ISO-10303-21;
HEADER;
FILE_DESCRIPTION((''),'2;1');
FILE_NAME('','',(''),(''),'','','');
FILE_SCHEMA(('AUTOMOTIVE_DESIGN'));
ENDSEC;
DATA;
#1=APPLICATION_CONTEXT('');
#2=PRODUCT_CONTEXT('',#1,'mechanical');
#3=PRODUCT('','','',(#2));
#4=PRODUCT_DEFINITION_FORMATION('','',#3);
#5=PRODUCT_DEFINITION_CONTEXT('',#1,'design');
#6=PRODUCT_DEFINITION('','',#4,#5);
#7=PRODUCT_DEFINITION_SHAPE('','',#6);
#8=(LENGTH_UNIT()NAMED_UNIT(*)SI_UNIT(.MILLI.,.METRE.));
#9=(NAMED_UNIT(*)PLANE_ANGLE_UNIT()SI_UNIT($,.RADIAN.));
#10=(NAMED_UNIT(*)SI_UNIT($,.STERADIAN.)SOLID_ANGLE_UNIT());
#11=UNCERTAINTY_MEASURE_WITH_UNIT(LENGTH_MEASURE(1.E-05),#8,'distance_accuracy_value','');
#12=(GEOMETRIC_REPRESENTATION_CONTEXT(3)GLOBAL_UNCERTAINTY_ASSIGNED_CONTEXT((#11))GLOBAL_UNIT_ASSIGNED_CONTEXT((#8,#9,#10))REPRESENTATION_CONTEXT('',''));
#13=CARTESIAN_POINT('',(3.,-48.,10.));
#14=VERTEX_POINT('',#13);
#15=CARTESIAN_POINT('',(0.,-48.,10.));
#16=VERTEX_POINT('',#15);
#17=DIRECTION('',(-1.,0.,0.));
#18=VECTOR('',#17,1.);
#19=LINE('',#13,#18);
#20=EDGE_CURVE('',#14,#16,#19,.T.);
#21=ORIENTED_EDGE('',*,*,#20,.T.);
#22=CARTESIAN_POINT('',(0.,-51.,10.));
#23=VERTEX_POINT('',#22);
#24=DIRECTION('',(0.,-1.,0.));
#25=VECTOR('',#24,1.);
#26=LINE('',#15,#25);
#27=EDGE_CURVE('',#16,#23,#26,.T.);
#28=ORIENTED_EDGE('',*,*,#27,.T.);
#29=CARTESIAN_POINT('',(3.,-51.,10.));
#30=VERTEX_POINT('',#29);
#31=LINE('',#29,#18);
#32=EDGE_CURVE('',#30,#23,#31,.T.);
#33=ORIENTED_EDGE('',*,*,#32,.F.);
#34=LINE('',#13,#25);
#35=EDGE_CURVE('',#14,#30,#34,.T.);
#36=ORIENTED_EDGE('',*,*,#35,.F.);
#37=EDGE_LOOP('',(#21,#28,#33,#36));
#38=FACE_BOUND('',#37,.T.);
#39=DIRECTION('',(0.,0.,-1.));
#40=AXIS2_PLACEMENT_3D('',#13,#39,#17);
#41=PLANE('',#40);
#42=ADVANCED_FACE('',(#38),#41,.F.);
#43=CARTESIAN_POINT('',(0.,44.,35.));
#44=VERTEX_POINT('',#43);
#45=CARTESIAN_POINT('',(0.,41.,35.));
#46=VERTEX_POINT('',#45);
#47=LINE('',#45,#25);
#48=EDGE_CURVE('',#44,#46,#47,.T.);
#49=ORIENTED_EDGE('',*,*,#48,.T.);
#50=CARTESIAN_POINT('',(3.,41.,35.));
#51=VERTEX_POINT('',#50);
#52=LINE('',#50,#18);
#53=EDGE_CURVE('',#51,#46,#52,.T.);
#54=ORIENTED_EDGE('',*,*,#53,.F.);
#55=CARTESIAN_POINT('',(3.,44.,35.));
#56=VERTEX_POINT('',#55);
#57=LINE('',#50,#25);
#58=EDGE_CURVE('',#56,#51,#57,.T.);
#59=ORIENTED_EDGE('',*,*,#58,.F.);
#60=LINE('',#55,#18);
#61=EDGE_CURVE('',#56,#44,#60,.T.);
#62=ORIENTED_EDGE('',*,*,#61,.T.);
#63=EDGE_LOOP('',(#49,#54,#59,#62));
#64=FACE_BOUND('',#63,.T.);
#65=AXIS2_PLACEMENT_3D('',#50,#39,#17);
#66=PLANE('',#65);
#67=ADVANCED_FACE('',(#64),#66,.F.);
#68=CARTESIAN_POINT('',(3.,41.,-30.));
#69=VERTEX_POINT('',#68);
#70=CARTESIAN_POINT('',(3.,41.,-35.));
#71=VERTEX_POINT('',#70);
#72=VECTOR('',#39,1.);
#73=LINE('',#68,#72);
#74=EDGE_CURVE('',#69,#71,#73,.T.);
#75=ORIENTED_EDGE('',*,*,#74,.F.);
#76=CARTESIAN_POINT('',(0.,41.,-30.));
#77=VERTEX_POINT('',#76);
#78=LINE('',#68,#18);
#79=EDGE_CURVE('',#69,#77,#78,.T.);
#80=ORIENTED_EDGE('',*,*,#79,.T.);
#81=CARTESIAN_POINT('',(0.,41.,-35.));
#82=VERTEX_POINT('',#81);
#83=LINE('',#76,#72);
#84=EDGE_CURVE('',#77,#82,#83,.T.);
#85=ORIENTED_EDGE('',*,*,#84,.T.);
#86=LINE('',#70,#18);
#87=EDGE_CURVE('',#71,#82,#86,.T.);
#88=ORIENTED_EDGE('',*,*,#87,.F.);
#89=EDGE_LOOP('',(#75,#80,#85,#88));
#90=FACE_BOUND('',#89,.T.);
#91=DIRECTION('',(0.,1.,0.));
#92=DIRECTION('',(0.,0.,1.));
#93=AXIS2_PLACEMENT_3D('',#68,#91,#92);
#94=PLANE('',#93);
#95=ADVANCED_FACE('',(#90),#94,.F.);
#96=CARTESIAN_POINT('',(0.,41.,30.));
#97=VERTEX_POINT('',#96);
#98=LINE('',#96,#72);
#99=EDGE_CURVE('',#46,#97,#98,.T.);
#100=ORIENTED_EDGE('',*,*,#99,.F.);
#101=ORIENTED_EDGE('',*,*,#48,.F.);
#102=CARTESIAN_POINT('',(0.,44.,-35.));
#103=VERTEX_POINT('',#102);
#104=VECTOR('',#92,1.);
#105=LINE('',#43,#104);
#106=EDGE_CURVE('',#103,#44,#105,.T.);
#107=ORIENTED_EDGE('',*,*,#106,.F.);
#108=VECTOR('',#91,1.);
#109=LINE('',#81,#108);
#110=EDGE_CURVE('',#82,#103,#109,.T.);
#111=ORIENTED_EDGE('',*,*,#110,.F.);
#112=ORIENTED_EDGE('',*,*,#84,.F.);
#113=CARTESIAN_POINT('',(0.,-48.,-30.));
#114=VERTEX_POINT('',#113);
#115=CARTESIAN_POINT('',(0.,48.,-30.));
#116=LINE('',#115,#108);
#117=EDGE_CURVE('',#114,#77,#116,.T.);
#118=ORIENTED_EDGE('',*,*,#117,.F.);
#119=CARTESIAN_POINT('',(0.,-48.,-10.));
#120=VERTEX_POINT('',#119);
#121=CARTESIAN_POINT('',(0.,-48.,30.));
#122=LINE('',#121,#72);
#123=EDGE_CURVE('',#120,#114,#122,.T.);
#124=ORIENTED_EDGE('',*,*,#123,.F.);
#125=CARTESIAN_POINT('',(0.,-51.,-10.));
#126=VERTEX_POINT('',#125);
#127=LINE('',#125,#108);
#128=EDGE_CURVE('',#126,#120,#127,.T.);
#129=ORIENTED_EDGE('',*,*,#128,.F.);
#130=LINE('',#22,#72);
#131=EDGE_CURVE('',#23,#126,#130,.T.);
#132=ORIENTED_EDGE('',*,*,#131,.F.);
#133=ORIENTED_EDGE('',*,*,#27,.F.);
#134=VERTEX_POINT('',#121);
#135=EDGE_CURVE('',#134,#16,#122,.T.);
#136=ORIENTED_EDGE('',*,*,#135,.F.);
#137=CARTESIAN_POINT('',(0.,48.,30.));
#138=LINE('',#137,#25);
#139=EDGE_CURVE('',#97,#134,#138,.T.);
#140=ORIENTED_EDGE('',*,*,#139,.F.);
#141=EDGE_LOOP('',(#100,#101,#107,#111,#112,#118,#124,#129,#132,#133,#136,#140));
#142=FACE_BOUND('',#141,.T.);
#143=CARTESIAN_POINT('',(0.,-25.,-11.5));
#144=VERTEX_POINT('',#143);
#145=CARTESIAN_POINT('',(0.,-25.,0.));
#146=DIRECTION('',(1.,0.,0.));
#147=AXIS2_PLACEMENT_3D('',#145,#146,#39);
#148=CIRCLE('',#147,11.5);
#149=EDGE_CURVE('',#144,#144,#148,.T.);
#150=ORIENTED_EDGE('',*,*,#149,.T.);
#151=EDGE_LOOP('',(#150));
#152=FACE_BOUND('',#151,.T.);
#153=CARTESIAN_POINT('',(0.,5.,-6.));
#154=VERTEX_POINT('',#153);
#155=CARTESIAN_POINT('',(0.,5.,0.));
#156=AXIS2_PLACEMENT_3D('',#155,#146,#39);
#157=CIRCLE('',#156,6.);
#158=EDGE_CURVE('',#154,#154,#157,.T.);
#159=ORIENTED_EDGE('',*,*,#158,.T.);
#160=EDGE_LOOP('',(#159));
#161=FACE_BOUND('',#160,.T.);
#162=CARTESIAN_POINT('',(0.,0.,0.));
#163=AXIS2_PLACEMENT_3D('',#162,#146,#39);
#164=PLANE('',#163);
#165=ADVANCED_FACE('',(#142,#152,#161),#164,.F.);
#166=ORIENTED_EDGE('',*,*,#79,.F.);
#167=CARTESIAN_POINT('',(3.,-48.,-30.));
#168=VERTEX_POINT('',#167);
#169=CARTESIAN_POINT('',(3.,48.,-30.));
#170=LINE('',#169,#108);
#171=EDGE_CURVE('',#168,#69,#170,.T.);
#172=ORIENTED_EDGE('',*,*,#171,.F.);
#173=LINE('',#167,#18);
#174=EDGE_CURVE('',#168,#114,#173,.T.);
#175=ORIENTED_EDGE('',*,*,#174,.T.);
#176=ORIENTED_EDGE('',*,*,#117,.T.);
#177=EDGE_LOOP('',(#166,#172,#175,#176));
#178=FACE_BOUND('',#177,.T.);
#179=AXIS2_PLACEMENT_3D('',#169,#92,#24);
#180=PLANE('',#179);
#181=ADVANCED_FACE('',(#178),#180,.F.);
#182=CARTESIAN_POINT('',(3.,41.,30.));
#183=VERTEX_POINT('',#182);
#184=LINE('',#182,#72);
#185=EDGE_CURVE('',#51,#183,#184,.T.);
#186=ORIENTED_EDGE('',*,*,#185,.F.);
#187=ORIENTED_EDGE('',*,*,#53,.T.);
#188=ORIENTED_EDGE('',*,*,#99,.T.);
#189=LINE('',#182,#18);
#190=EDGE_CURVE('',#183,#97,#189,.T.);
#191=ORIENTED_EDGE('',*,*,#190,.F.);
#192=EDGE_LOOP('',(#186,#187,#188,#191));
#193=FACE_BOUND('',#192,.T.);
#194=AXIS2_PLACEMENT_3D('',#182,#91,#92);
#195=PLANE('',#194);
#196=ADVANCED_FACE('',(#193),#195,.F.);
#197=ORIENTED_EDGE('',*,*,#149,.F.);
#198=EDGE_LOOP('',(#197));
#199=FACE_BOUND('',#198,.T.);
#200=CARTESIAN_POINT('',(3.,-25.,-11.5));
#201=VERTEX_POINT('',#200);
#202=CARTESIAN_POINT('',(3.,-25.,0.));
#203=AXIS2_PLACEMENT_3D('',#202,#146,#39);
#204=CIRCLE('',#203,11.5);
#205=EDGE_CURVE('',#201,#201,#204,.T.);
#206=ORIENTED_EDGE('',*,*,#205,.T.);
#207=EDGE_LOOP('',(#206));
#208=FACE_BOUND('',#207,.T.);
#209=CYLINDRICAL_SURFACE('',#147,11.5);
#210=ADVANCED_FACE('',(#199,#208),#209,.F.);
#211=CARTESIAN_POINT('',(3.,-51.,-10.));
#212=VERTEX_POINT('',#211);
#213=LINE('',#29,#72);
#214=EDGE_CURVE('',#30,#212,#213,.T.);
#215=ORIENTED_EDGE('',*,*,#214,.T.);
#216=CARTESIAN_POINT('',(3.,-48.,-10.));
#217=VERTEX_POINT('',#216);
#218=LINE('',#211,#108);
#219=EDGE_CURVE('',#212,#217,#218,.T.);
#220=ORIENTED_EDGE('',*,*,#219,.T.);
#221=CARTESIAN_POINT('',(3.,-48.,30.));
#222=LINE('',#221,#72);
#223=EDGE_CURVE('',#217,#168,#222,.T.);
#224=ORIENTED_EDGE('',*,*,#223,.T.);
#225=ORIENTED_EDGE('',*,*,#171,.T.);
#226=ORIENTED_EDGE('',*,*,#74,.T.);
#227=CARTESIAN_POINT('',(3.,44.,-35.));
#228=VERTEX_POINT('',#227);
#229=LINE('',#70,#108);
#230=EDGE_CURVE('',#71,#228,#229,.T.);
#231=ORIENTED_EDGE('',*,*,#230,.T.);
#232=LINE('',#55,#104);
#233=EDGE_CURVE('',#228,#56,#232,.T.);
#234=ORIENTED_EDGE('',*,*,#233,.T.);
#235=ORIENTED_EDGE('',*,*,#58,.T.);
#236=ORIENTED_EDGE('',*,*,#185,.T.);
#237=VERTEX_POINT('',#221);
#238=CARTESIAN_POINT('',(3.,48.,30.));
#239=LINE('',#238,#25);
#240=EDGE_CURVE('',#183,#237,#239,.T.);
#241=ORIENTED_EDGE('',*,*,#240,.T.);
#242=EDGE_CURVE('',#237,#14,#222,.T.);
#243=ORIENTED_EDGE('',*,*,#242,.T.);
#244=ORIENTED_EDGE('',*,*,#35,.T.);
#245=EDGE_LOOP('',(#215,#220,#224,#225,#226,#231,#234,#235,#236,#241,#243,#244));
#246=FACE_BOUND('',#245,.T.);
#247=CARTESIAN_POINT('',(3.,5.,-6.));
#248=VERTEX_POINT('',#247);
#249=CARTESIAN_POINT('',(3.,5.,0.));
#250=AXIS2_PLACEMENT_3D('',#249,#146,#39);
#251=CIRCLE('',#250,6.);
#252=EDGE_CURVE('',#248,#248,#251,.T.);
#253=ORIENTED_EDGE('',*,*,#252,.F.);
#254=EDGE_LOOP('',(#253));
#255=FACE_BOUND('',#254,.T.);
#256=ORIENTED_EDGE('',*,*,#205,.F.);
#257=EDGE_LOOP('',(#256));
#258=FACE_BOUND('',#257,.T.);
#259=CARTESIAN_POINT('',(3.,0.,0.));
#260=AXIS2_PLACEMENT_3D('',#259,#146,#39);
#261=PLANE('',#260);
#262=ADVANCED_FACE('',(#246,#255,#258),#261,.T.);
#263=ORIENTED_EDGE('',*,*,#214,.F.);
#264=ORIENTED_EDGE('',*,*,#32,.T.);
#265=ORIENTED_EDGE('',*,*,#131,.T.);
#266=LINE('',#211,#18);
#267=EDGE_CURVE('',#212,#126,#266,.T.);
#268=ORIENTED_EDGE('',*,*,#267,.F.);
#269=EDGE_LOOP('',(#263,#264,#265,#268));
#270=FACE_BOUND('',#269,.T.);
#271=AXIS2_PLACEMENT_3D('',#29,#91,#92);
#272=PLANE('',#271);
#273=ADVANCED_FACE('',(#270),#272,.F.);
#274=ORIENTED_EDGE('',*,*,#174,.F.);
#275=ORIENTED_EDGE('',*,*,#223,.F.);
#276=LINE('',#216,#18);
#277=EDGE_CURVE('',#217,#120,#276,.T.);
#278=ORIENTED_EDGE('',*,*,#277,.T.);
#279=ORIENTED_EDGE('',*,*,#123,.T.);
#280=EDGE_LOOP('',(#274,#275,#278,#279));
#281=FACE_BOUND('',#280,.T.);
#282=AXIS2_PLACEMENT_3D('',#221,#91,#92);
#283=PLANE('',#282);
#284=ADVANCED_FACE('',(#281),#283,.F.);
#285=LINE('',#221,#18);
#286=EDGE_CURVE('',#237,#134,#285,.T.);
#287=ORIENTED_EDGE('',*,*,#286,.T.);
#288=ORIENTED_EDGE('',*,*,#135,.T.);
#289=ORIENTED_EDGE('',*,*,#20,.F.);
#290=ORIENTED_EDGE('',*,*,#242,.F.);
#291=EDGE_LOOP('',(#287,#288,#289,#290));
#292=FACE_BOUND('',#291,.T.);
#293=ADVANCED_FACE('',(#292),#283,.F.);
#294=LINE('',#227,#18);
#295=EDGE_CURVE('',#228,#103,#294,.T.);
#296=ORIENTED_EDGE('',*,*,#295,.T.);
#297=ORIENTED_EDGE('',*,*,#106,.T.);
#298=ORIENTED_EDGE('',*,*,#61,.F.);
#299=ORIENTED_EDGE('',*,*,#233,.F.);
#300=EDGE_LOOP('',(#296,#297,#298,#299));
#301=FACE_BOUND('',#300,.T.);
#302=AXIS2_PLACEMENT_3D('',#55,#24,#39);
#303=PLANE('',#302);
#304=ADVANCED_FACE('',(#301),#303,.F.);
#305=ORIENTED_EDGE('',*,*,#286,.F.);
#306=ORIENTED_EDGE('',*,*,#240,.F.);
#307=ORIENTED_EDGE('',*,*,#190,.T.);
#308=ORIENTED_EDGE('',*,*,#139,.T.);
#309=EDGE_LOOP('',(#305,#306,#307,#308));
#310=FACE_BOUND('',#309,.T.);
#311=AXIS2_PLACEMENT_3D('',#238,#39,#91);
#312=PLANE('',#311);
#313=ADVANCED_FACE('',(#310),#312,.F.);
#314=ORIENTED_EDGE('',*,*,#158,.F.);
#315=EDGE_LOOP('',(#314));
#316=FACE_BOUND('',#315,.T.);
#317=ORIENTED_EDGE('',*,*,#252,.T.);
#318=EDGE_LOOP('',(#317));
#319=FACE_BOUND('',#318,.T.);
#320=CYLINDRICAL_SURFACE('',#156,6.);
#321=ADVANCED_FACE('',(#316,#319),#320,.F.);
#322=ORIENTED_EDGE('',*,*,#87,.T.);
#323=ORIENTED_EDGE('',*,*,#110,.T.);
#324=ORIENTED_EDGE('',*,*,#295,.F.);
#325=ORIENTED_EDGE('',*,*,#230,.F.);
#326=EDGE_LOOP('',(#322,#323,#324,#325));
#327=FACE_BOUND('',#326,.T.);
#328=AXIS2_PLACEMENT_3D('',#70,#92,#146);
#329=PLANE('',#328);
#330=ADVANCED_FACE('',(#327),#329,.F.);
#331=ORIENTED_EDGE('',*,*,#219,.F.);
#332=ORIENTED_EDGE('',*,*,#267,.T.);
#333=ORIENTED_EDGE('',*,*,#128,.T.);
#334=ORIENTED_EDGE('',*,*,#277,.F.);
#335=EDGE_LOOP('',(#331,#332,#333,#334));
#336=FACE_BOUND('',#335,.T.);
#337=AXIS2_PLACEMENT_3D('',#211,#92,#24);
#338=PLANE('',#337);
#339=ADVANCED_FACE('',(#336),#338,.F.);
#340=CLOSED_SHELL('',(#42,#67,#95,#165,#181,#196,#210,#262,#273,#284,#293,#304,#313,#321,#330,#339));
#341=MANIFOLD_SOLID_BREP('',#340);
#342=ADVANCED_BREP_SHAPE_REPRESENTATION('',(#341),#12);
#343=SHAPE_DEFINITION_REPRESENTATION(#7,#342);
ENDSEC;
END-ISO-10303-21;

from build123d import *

# Parameters (mm, degrees)
SKETCH1_W           = 60
SKETCH1_H           = 96
BOSS_EXTRUDE1_DEPTH = 3
SKETCH2_R           = 11.5
SKETCH2_R_2         = 6
CUT_EXTRUDE1_DEPTH  = 3
SKETCH3_W           = 5
SKETCH3_H           = 3
SKETCH3_W_2         = 20
BOSS_EXTRUDE2_DEPTH = 3
SKETCH6_W           = 60
SKETCH6_H           = 4
CUT_EXTRUDE2_DEPTH  = 10


with BuildPart() as part:
    # Sketch1 → Boss-Extrude1 (new body)
    with BuildSketch(Plane(origin=(0, 0, 0), x_dir=(0, 0, -1), z_dir=(1, 0, 0))):
        Rectangle(SKETCH1_W, SKETCH1_H)
    extrude(amount=BOSS_EXTRUDE1_DEPTH)

    # Sketch2 → Cut-Extrude1 (cut)
    with BuildSketch(Plane(origin=(3, 0, 0), x_dir=(0, 0, -1), z_dir=(1, 0, 0))):
        with Locations((0, -25)):
            Circle(SKETCH2_R)
        with Locations((0, 5)):
            Circle(SKETCH2_R_2)
    extrude(amount=-CUT_EXTRUDE1_DEPTH, mode=Mode.SUBTRACT)

    # Sketch3 → Boss-Extrude2 (add)
    with BuildSketch(Plane(origin=(0, 0, 0), x_dir=(0, 0, -1), z_dir=(1, 0, 0))):
        with Locations((-32.5, 42.5)):
            Rectangle(SKETCH3_W, SKETCH3_H)
        with Locations((32.5, 42.5)):
            Rectangle(SKETCH3_W, SKETCH3_H)
        with Locations((0, -49.5)):
            Rectangle(SKETCH3_W_2, SKETCH3_H)
    extrude(amount=BOSS_EXTRUDE2_DEPTH)

    # Sketch6 → Cut-Extrude2 (cut)
    with BuildSketch(Plane(origin=(3, 0, 0), x_dir=(0, 0, -1), z_dir=(1, 0, 0))):
        with Locations((0, 46)):
            Rectangle(SKETCH6_W, SKETCH6_H)
    extrude(amount=-CUT_EXTRUDE2_DEPTH, mode=Mode.SUBTRACT)


solid = part.part
